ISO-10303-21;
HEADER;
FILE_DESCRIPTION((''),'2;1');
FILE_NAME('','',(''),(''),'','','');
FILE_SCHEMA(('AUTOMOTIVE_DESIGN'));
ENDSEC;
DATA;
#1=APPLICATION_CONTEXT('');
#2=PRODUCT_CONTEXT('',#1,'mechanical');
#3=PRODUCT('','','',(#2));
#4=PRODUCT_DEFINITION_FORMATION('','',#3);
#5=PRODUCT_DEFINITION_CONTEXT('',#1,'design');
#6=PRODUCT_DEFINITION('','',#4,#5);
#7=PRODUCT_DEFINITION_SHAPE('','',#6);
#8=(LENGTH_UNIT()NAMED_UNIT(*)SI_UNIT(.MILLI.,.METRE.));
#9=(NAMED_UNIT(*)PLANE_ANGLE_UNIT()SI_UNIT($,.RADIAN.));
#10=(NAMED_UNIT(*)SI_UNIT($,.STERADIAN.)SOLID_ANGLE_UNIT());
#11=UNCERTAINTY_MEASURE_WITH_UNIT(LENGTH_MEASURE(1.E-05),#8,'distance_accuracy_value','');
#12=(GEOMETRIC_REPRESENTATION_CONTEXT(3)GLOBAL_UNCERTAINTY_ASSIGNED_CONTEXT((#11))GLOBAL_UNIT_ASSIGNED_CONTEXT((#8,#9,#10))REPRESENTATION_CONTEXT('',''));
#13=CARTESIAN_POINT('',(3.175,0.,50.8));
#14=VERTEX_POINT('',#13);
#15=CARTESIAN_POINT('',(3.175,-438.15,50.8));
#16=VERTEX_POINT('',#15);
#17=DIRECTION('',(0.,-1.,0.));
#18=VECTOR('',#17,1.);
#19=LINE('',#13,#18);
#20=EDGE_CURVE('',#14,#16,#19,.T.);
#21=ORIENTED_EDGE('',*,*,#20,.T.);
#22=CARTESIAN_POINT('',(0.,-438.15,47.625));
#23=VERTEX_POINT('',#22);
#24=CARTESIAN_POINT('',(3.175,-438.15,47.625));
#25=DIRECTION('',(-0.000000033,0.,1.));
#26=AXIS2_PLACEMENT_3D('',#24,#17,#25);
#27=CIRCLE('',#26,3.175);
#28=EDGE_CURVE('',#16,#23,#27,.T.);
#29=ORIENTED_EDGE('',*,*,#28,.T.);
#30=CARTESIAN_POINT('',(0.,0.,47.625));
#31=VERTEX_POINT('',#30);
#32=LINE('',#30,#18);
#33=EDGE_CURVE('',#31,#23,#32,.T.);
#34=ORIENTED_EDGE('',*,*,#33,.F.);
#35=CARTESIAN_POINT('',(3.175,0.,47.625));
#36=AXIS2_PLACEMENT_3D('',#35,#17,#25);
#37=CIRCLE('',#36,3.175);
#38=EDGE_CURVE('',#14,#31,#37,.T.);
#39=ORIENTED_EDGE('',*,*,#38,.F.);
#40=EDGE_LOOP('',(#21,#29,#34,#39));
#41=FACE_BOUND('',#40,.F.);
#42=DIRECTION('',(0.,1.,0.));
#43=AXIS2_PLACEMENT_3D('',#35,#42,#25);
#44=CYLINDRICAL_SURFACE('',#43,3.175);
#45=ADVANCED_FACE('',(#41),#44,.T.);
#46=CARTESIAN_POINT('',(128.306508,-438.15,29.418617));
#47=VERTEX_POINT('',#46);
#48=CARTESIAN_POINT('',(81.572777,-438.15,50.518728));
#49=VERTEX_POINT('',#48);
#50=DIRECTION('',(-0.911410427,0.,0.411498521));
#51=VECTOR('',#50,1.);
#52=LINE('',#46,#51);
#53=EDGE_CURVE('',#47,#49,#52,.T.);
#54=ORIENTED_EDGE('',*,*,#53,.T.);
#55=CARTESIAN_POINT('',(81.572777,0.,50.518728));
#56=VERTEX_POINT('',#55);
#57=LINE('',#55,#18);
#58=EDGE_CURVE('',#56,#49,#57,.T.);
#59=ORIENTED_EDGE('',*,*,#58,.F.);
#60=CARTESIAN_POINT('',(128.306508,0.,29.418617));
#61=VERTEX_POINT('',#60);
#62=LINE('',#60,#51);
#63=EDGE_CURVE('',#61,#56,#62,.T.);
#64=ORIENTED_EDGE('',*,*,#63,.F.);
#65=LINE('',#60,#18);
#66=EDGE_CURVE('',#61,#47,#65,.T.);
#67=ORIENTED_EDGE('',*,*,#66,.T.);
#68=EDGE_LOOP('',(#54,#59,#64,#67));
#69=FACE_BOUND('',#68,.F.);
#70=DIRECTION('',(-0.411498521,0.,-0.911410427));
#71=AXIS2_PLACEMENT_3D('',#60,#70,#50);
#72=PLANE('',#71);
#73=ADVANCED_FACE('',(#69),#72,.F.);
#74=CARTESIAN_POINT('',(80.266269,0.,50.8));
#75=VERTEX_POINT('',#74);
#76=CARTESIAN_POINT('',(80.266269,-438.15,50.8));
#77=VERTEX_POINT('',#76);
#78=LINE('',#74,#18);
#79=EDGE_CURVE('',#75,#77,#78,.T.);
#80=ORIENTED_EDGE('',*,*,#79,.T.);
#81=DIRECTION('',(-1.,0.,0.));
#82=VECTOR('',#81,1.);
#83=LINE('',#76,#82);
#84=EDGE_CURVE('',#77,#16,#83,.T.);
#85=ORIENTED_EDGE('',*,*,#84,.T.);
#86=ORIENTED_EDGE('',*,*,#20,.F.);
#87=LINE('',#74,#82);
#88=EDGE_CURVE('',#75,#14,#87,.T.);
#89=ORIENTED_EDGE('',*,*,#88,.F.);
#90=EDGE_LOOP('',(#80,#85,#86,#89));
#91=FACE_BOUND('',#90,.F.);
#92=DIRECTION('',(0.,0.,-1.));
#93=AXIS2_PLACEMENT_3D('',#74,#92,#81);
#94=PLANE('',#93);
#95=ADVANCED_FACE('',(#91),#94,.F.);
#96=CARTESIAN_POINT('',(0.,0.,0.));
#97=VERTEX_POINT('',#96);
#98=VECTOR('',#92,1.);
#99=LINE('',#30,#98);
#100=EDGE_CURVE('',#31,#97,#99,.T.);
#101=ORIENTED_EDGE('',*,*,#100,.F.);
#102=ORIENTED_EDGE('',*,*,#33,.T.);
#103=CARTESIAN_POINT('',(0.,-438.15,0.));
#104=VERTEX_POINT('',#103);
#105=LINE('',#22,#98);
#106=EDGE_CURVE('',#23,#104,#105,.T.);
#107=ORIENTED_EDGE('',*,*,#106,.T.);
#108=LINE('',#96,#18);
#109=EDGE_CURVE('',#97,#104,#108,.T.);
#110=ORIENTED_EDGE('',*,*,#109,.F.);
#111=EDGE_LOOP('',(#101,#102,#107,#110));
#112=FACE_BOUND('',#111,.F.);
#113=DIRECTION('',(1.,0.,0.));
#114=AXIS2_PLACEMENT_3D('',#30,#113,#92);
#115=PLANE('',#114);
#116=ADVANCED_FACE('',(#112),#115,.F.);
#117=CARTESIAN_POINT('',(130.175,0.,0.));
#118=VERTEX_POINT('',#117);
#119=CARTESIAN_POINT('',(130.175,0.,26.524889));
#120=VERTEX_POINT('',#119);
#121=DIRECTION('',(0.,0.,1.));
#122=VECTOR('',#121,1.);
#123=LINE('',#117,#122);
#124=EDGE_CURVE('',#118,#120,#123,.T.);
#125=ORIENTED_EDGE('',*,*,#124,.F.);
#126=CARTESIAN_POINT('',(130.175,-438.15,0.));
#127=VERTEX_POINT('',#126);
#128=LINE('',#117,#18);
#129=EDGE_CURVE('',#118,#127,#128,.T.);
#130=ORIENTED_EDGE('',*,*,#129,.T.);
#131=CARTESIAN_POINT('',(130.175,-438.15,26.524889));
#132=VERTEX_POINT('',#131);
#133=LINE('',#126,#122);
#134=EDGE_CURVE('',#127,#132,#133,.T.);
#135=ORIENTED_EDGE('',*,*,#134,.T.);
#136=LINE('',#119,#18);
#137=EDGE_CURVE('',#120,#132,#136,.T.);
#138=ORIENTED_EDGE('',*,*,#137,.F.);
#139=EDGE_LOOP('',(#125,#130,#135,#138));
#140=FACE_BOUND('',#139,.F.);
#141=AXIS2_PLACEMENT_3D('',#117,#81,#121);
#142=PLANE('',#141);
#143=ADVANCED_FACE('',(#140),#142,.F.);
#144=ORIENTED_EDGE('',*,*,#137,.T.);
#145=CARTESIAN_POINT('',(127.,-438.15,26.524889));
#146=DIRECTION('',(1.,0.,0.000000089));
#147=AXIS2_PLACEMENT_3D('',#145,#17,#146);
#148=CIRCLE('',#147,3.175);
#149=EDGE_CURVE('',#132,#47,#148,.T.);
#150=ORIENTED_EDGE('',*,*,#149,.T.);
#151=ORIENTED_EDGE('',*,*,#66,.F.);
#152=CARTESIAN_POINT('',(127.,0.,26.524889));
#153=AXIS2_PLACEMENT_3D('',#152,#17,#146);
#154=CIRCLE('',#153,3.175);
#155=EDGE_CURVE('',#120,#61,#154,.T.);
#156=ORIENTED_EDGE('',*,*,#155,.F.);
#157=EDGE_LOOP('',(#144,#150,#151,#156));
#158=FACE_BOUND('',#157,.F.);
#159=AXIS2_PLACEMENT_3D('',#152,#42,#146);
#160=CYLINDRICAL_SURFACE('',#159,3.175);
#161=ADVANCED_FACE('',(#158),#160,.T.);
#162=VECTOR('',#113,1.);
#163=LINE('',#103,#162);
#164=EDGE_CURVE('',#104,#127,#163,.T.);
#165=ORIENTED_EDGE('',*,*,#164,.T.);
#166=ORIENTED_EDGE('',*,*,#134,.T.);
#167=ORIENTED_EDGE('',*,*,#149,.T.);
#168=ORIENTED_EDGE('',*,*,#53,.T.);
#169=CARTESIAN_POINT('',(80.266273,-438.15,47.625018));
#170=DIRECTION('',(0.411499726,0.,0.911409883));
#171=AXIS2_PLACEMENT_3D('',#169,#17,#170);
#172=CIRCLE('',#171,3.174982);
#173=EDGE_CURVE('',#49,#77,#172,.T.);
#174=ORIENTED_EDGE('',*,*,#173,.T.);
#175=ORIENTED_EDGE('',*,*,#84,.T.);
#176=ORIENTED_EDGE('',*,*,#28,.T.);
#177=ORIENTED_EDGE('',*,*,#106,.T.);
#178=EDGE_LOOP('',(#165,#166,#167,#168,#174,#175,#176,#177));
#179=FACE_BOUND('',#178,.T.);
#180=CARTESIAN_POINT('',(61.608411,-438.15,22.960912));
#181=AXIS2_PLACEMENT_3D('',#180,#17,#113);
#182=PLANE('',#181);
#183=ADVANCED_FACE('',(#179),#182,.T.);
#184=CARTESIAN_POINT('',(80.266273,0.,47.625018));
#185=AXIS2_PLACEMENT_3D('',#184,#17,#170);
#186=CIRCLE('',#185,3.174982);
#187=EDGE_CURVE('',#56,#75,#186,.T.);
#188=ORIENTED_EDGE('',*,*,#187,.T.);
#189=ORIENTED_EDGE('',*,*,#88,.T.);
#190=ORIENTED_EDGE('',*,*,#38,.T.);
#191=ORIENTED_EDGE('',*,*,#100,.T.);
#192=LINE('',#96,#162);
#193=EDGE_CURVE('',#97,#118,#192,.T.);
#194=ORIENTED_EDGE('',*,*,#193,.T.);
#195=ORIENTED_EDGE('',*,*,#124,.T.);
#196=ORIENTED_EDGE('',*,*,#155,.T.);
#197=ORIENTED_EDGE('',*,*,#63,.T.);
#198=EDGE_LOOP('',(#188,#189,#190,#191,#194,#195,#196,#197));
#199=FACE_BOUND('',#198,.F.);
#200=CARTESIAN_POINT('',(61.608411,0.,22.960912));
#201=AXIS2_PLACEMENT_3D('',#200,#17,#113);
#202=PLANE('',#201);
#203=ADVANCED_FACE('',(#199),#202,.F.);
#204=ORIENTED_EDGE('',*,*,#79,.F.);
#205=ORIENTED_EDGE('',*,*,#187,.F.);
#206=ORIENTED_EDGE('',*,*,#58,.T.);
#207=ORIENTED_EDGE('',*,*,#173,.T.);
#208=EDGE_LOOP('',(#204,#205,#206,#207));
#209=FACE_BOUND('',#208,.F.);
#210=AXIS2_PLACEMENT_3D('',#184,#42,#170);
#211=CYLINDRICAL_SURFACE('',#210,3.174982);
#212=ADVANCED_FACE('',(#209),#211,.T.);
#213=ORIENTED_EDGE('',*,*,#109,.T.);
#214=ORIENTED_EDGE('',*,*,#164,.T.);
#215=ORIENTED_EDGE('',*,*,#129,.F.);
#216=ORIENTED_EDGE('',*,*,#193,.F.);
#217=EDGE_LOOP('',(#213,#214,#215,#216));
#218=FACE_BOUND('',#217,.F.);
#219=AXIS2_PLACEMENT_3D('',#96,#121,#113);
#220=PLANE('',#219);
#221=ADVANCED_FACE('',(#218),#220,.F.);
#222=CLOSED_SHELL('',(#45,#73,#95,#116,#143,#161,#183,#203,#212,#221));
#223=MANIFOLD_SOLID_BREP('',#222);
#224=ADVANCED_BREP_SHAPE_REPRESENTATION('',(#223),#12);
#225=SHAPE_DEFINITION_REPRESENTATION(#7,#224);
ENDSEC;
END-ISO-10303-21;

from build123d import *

# Parameters (mm, degrees)
F1_DEPTH = 438.15


with BuildPart() as f1:
    # F0 (on Front) → F1 (new body)
    with BuildSketch(Plane.XZ):
        with BuildLine():
            Line((0, 47.625), (0, 0))
            Line((0, 0), (130.175, 0))
            Line((130.175, 0), (130.175, 26.524889))
            ThreePointArc((130.175, 26.524889), (129.667282, 28.247164), (128.306508, 29.418617))
            Line((128.306508, 29.418617), (81.572777, 50.518728))
            ThreePointArc((81.572777, 50.518728), (80.93449, 50.728886), (80.266269, 50.8))
            Line((80.266269, 50.8), (3.175, 50.8))
            ThreePointArc((3.175, 50.8), (0.929936, 49.870064), (0, 47.625))
        make_face()
    extrude(amount=F1_DEPTH)


solid = f1.part
